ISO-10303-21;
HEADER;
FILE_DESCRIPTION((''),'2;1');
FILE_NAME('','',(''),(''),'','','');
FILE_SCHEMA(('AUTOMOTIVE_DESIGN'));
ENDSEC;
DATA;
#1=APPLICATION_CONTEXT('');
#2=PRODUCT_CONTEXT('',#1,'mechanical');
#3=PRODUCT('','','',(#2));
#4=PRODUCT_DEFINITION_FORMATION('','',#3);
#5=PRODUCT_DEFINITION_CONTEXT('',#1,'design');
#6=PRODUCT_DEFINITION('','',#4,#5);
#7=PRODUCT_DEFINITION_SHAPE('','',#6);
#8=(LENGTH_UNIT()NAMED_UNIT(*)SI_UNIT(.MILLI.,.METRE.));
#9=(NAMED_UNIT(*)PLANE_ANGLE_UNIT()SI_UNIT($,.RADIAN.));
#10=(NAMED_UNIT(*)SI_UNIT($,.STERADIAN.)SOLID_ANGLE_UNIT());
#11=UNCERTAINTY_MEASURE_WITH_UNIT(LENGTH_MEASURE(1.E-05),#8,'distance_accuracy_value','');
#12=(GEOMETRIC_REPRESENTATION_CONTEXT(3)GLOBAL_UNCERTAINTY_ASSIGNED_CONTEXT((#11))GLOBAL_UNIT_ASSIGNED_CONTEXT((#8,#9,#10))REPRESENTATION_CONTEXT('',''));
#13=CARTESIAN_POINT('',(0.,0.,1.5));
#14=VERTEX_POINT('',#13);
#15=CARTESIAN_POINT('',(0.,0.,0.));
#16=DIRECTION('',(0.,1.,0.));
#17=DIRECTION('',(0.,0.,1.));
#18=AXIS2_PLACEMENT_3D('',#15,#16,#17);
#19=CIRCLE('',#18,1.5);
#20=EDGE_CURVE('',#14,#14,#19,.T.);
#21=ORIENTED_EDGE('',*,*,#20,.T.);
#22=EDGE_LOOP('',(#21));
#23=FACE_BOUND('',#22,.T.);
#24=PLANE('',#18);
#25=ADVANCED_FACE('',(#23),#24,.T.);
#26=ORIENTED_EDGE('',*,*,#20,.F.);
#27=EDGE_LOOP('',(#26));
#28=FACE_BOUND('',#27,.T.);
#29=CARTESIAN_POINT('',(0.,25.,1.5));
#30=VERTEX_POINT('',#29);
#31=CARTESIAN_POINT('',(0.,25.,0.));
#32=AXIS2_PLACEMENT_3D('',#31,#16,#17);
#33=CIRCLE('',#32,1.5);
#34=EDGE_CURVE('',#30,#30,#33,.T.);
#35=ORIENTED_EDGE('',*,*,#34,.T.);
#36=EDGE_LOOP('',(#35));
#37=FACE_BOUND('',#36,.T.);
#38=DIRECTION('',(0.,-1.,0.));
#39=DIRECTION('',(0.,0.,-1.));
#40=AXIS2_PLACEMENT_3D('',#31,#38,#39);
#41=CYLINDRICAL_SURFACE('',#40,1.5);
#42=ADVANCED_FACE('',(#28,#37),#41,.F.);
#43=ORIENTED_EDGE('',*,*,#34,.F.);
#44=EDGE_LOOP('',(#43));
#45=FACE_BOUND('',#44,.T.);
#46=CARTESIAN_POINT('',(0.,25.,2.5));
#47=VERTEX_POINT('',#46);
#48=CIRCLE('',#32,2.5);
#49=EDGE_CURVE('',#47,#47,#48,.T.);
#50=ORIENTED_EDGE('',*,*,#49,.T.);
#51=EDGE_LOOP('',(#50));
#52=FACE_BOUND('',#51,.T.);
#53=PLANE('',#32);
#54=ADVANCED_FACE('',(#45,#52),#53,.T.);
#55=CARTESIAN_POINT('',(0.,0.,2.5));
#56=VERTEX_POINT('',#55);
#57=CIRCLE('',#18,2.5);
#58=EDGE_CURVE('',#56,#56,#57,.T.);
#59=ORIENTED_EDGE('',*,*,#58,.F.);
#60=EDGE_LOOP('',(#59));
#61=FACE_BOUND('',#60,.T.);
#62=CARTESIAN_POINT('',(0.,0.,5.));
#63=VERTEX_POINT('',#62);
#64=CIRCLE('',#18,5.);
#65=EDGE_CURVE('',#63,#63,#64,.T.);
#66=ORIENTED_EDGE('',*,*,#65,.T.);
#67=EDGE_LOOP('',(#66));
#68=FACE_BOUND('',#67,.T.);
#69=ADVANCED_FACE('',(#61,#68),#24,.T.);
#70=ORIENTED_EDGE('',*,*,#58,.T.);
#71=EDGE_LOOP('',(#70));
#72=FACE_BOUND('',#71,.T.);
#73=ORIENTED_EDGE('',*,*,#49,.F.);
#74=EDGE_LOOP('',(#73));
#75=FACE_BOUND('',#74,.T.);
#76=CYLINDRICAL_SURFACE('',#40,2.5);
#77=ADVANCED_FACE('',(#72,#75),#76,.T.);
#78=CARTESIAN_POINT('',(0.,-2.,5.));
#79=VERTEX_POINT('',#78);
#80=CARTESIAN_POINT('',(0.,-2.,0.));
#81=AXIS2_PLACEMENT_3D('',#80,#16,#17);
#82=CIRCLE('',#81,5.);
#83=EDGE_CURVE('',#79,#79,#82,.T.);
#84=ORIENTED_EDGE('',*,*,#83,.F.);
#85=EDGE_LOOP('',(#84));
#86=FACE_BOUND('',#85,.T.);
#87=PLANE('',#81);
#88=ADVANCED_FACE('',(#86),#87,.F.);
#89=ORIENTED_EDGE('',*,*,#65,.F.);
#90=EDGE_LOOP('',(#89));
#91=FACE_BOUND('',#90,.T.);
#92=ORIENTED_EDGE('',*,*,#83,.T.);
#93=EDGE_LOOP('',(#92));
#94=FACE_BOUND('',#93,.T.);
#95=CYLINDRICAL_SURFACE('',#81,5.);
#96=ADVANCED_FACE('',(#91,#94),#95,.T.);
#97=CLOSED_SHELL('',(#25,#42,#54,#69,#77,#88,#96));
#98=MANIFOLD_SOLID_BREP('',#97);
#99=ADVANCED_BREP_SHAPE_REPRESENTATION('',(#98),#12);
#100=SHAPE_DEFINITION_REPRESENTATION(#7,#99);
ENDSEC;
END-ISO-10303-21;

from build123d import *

# Parameters (mm, degrees)
SKETCH2_R           = 5
SKETCH2_R_2         = 2.5
BOSS_EXTRUDE1_DEPTH = 2
SKETCH2_3_R         = 2.5
BOSS_EXTRUDE2_DEPTH = 25
CUT_EXTRUDE1_START  = -25
SKETCH3_R           = 1.5
CUT_EXTRUDE1_DEPTH  = 53.910571474


with BuildPart() as part:
    # Sketch2 → Boss-Extrude1 (new body)
    # profile 1 of 2: a face of its own
    with BuildSketch(Plane(origin=(0, 0, 0), x_dir=(1, 0, 0), z_dir=(0, 1, 0))):
        with Locations(Location((0, 0, 0), (0, 0, 270))):
            Circle(SKETCH2_R)
        Circle(SKETCH2_R_2, mode=Mode.SUBTRACT)
    # profile 2 of 2: a face of its own
    with BuildSketch(Plane(origin=(0, 0, 0), x_dir=(1, 0, 0), z_dir=(0, 1, 0))):
        Circle(SKETCH2_R_2)
    extrude(amount=-BOSS_EXTRUDE1_DEPTH)

    # Sketch2<3> → Boss-Extrude2 (add)
    with BuildSketch(Plane(origin=(0, 0, 0), x_dir=(1, 0, 0), z_dir=(0, 1, 0))):
        with Locations(Location((0, 0, 0), (0, 0, 270))):
            Circle(SKETCH2_3_R)
    extrude(amount=BOSS_EXTRUDE2_DEPTH)

    # Sketch3 → Cut-Extrude1 (cut, through all)
    with BuildSketch(Plane(origin=(0, 25, 0), x_dir=(1, 0, 0), z_dir=(0, 1, 0)).offset(CUT_EXTRUDE1_START)):
        with Locations(Location((0, 0, 0), (0, 0, 270))):
            Circle(SKETCH3_R)
    extrude(amount=CUT_EXTRUDE1_DEPTH, mode=Mode.SUBTRACT)


solid = part.part
